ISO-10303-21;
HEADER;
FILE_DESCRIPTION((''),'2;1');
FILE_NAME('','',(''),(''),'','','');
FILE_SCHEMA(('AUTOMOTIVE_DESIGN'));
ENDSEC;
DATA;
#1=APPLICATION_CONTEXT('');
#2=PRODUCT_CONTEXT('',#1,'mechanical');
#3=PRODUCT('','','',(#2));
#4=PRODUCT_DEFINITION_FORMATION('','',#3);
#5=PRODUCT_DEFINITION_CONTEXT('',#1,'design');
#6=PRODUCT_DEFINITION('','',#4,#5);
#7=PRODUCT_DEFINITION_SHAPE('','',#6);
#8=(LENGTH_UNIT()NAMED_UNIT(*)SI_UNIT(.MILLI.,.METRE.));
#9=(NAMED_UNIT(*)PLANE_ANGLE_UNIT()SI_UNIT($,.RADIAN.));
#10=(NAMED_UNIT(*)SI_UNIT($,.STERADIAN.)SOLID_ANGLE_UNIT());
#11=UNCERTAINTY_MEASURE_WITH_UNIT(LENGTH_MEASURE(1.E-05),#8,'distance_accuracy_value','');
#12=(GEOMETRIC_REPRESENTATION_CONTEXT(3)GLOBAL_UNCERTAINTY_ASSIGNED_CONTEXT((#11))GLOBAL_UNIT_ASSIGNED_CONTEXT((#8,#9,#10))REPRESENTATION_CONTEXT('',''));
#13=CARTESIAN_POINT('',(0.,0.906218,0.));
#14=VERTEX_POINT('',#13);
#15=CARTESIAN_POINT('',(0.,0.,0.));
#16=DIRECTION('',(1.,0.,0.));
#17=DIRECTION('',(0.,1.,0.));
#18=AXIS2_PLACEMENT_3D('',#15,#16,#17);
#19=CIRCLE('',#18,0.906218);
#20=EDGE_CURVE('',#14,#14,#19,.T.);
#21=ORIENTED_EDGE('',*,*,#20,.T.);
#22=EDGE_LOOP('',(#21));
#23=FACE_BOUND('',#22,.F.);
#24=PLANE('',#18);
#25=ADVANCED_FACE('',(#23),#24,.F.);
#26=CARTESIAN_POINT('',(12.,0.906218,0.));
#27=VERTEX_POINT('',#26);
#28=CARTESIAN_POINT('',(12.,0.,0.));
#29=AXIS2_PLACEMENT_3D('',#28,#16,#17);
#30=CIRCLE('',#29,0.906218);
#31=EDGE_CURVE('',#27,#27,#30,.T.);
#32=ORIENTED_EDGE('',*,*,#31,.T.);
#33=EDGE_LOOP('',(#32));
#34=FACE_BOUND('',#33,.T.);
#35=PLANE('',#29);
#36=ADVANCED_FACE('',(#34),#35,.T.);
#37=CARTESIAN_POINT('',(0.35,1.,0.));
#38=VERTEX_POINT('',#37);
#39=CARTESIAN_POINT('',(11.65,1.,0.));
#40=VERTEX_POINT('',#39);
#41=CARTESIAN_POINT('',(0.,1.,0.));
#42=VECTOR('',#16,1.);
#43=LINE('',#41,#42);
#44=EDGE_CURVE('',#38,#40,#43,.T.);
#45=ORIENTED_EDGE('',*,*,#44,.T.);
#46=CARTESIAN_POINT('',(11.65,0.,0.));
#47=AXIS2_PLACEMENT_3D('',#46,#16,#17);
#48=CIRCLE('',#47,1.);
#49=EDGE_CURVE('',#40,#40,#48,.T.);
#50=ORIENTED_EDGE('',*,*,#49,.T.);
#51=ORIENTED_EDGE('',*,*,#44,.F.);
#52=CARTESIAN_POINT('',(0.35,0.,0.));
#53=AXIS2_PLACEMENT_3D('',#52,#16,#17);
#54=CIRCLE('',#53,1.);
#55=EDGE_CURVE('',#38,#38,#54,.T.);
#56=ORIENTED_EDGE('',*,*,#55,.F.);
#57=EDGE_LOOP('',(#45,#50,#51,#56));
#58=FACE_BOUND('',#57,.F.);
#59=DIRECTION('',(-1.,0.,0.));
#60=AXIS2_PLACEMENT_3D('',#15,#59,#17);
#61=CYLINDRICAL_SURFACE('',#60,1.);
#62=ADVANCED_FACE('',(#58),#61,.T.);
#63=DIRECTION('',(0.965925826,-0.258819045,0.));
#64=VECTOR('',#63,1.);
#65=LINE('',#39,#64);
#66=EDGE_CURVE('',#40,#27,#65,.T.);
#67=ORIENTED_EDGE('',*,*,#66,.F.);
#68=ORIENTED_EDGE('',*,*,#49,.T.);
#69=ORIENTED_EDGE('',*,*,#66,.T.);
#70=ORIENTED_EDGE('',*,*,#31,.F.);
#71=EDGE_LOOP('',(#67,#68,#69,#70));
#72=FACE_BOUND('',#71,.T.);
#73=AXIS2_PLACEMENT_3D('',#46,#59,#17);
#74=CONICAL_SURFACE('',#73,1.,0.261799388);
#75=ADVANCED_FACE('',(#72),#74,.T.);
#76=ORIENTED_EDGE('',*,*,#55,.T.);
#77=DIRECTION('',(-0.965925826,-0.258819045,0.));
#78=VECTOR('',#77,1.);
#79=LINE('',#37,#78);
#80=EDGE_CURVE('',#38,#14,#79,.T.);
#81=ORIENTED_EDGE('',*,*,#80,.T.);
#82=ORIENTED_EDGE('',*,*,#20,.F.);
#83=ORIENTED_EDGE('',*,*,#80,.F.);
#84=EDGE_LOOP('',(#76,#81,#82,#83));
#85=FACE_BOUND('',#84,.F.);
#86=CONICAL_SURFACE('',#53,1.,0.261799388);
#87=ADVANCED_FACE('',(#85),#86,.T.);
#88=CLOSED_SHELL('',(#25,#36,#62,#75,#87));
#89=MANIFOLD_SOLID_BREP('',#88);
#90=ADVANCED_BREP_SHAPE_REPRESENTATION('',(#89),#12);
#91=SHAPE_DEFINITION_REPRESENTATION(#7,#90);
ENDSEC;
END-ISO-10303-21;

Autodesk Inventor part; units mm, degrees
ref_plane "YZ Plane" through (0, 0, 0) normal (1, 0, 0) x (0, 1, 0)
ref_plane "XZ Plane" through (0, 0, 0) normal (0, 1, 0) x (-1, 0, 0)
ref_plane "XY Plane" through (0, 0, 0) normal (0, 0, 1) x (1, 0, 0)
sketch "Skizze" plane through (0, 0, 0) normal (1, 0, 0) x (0, 1, 0)
  circle A0 centre (0, 0) radius 1
  dimension "d1" = 2
extrude "Körper" add sketch "Skizze" along normal blind 12
chamfer "Fase1" distance 0.35 angle 15 1 edges at (0, -1, 0) measured on face at (8, 0.9871, -0.1604)
chamfer "Skizze2" distance 0.35 angle 15 1 edges at (12, -1, 0) measured on face at (8.1167, 0.9871, -0.1604)
equation "\"d1\" = NND"
equation "\"d2\" = NLG"
equation "\"d8\" = PHH"
equation "\"d9\" = FAWI"
equation "\"d12\" = PHH"
equation "\"d4\" = PHH"
equation "\"d5\" = FAWI"
equation "\"d11\" = PHH"
equation "\"NND\" = 2"
equation "\"NLG\" = 12"
equation "\"PHH\" = 0.35"
equation "\"FAWI\" = 15deg"
equation "\"KAH\" = 0"
properties part number "ISO 2338 - 2 h8 x 12" material "Edelstahl, austenitisch"
